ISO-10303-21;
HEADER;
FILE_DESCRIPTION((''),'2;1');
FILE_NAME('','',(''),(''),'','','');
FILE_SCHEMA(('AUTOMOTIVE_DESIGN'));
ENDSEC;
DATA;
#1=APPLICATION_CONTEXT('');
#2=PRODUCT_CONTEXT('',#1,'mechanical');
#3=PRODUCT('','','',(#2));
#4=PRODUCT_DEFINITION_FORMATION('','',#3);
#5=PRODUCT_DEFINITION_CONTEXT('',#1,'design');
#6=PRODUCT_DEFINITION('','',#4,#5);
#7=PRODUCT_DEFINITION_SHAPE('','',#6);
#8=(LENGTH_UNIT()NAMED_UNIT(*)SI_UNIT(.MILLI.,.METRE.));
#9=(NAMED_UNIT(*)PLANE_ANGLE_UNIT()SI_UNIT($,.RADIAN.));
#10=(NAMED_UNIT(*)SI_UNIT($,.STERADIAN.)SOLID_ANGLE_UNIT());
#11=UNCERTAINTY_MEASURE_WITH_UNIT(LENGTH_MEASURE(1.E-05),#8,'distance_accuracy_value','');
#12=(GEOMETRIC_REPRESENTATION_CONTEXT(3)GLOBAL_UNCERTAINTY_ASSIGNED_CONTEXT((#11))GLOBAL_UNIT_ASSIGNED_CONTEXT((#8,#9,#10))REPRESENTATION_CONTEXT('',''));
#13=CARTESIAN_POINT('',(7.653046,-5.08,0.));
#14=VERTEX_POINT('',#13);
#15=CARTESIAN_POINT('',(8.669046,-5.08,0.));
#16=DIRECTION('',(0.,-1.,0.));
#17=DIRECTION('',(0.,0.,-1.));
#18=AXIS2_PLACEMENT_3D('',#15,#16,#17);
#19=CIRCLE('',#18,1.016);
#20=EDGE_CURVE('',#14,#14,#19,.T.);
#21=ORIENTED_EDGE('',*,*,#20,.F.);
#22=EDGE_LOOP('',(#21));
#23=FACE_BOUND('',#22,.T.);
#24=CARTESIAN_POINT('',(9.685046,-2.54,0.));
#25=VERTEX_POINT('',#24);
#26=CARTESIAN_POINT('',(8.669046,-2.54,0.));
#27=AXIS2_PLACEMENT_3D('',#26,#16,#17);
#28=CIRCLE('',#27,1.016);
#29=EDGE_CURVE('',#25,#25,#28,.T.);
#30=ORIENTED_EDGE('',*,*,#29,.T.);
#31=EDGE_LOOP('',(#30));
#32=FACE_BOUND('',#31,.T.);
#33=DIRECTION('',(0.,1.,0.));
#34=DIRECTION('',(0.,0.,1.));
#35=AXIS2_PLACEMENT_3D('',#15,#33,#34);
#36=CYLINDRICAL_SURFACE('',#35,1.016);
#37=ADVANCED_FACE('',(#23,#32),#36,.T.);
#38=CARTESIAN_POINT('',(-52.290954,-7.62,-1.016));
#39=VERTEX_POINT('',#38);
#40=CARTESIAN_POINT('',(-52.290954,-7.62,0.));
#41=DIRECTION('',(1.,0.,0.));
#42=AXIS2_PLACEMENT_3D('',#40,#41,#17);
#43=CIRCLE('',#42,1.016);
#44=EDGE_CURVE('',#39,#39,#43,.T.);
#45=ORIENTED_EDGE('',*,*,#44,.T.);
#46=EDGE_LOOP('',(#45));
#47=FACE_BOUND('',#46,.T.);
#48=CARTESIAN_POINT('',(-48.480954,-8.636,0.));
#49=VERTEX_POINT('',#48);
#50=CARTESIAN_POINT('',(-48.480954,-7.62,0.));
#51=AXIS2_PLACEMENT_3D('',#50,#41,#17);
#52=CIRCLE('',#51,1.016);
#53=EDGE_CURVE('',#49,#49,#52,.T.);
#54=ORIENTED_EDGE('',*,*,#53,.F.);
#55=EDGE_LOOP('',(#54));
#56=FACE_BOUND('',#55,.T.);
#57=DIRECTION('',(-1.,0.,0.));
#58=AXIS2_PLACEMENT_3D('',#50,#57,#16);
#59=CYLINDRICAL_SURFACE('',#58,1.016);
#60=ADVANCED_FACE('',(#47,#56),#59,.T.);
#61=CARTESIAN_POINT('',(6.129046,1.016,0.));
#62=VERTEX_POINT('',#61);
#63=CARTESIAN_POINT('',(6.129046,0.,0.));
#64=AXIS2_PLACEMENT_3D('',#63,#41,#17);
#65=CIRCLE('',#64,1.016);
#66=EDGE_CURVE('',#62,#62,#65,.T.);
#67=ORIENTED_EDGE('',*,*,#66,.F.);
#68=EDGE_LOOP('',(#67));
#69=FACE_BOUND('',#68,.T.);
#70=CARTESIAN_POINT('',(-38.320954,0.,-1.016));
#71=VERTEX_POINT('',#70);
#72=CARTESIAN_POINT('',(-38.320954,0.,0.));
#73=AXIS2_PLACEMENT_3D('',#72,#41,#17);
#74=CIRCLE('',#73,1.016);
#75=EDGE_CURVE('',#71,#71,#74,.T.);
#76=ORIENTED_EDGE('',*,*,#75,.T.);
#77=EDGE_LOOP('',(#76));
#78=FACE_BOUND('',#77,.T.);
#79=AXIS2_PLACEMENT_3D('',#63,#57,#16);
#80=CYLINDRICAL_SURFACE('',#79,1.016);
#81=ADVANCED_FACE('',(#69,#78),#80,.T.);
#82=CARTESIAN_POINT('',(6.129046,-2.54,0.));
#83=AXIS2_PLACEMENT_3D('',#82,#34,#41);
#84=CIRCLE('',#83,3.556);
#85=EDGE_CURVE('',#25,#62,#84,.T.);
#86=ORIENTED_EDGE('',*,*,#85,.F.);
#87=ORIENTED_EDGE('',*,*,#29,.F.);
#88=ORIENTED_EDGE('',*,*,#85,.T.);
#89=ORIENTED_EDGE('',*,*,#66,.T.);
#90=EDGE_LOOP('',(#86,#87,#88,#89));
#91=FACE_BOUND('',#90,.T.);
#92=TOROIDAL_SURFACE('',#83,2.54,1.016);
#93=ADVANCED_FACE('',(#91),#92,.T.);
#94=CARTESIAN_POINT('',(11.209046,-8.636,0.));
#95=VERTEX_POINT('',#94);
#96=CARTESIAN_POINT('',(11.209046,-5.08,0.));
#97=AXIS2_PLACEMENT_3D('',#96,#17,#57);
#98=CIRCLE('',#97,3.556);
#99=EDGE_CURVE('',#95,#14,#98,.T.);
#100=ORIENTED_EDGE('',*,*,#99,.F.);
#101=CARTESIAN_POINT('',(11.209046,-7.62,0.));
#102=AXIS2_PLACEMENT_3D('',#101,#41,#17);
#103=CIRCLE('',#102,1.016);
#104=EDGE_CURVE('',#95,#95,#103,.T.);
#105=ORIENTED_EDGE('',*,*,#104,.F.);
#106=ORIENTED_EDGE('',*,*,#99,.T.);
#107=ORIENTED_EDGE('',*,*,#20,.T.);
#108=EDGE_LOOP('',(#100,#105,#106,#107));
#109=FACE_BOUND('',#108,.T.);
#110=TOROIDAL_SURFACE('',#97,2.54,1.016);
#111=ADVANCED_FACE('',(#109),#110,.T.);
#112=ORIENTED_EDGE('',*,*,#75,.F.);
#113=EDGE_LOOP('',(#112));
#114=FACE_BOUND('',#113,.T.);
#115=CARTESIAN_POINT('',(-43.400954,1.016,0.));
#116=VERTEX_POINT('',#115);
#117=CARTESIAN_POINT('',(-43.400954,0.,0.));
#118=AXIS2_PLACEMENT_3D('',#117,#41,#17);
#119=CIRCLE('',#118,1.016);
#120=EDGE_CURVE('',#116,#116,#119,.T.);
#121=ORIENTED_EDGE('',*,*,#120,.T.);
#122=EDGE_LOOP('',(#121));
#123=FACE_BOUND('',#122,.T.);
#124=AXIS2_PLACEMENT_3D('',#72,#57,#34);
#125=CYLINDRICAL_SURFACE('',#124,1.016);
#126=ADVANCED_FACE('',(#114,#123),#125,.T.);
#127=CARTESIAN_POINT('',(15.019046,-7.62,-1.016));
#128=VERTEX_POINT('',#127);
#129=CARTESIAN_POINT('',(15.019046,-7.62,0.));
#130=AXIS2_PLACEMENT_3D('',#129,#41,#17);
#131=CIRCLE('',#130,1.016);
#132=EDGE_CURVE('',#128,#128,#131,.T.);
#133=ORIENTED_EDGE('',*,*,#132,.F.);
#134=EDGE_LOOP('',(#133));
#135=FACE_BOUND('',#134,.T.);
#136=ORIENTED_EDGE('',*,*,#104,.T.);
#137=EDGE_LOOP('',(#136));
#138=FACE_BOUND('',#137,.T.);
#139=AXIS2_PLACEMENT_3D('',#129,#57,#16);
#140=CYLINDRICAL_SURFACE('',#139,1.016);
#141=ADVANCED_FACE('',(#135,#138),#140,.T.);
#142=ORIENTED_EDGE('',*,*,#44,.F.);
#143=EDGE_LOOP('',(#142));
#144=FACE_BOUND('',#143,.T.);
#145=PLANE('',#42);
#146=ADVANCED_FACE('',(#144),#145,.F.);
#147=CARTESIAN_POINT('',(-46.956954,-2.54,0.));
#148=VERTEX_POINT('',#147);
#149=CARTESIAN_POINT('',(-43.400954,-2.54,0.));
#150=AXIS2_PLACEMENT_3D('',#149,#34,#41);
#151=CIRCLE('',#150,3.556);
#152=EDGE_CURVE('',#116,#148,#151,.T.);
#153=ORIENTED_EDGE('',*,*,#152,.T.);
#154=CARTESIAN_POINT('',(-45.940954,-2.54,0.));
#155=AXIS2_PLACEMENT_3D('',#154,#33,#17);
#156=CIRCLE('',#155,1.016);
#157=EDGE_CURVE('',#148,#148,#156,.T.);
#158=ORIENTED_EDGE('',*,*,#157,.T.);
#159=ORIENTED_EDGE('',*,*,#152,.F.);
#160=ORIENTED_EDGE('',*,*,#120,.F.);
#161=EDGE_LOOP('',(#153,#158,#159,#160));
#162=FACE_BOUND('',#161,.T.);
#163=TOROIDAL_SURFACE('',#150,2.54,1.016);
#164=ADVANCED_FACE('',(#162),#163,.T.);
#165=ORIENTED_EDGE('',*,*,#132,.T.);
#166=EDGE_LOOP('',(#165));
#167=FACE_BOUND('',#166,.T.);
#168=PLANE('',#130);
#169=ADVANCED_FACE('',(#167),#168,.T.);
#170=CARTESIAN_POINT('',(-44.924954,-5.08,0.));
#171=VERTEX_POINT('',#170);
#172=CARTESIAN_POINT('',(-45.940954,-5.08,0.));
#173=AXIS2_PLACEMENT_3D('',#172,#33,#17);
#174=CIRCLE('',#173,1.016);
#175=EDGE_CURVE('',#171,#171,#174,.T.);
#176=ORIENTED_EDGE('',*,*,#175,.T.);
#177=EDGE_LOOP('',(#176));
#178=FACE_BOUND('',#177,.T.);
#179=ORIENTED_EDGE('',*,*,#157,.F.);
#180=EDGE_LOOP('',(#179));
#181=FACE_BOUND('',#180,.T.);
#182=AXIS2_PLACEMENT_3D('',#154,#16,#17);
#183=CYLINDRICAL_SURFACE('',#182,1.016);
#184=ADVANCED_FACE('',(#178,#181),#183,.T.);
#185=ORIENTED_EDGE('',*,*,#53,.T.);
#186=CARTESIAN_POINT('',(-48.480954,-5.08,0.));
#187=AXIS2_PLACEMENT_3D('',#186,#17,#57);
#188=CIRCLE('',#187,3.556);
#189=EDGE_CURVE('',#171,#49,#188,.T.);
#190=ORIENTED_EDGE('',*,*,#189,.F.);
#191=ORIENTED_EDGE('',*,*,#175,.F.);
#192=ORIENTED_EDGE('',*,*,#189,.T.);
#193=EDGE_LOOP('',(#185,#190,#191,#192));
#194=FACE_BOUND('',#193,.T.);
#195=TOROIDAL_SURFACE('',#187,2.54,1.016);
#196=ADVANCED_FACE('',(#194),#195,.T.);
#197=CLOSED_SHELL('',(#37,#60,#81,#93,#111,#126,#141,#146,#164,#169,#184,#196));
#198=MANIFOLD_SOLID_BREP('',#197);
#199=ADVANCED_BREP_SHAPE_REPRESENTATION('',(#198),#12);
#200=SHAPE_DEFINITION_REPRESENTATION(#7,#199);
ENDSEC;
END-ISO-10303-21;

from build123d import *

# Parameters (mm, degrees)
SWEEP2_PROFILE_R = 1.016


with BuildPart() as part:
    # Sweep2: sweep along a path in Sketch12
    with BuildLine(Plane.XY) as sweep2_path:
        Line((15.019045905, -7.62), (11.209045905, -7.62))
        ThreePointArc((11.209045905, -7.62), (9.412994681, -6.876051224), (8.669045905, -5.08))
        Line((8.669045905, -5.08), (8.669045905, -2.54))
        ThreePointArc((8.669045905, -2.54), (7.925097129, -0.743948776), (6.129045905, 0))
        Line((6.129045905, 0), (-38.320954095, 0))
        Line((-38.320954095, 0), (-43.400954095, 0))
        ThreePointArc((-43.400954095, 0), (-45.197005319, -0.743948776), (-45.940954095, -2.54))
        Line((-45.940954095, -2.54), (-45.940954095, -5.08))
        ThreePointArc((-45.940954095, -5.08), (-46.684902871, -6.876051224), (-48.480954095, -7.62))
        Line((-48.480954095, -7.62), (-52.290954095, -7.62))
    # Sweep2 profile (on start of the path) → Sweep2 (sweep)
    with BuildSketch(Plane(origin=(15.019045905, -7.62, 0), x_dir=(0, -1, 0), z_dir=(-1, 0, 0))):
        Circle(SWEEP2_PROFILE_R)
    sweep(path=sweep2_path.line)


solid = part.part
